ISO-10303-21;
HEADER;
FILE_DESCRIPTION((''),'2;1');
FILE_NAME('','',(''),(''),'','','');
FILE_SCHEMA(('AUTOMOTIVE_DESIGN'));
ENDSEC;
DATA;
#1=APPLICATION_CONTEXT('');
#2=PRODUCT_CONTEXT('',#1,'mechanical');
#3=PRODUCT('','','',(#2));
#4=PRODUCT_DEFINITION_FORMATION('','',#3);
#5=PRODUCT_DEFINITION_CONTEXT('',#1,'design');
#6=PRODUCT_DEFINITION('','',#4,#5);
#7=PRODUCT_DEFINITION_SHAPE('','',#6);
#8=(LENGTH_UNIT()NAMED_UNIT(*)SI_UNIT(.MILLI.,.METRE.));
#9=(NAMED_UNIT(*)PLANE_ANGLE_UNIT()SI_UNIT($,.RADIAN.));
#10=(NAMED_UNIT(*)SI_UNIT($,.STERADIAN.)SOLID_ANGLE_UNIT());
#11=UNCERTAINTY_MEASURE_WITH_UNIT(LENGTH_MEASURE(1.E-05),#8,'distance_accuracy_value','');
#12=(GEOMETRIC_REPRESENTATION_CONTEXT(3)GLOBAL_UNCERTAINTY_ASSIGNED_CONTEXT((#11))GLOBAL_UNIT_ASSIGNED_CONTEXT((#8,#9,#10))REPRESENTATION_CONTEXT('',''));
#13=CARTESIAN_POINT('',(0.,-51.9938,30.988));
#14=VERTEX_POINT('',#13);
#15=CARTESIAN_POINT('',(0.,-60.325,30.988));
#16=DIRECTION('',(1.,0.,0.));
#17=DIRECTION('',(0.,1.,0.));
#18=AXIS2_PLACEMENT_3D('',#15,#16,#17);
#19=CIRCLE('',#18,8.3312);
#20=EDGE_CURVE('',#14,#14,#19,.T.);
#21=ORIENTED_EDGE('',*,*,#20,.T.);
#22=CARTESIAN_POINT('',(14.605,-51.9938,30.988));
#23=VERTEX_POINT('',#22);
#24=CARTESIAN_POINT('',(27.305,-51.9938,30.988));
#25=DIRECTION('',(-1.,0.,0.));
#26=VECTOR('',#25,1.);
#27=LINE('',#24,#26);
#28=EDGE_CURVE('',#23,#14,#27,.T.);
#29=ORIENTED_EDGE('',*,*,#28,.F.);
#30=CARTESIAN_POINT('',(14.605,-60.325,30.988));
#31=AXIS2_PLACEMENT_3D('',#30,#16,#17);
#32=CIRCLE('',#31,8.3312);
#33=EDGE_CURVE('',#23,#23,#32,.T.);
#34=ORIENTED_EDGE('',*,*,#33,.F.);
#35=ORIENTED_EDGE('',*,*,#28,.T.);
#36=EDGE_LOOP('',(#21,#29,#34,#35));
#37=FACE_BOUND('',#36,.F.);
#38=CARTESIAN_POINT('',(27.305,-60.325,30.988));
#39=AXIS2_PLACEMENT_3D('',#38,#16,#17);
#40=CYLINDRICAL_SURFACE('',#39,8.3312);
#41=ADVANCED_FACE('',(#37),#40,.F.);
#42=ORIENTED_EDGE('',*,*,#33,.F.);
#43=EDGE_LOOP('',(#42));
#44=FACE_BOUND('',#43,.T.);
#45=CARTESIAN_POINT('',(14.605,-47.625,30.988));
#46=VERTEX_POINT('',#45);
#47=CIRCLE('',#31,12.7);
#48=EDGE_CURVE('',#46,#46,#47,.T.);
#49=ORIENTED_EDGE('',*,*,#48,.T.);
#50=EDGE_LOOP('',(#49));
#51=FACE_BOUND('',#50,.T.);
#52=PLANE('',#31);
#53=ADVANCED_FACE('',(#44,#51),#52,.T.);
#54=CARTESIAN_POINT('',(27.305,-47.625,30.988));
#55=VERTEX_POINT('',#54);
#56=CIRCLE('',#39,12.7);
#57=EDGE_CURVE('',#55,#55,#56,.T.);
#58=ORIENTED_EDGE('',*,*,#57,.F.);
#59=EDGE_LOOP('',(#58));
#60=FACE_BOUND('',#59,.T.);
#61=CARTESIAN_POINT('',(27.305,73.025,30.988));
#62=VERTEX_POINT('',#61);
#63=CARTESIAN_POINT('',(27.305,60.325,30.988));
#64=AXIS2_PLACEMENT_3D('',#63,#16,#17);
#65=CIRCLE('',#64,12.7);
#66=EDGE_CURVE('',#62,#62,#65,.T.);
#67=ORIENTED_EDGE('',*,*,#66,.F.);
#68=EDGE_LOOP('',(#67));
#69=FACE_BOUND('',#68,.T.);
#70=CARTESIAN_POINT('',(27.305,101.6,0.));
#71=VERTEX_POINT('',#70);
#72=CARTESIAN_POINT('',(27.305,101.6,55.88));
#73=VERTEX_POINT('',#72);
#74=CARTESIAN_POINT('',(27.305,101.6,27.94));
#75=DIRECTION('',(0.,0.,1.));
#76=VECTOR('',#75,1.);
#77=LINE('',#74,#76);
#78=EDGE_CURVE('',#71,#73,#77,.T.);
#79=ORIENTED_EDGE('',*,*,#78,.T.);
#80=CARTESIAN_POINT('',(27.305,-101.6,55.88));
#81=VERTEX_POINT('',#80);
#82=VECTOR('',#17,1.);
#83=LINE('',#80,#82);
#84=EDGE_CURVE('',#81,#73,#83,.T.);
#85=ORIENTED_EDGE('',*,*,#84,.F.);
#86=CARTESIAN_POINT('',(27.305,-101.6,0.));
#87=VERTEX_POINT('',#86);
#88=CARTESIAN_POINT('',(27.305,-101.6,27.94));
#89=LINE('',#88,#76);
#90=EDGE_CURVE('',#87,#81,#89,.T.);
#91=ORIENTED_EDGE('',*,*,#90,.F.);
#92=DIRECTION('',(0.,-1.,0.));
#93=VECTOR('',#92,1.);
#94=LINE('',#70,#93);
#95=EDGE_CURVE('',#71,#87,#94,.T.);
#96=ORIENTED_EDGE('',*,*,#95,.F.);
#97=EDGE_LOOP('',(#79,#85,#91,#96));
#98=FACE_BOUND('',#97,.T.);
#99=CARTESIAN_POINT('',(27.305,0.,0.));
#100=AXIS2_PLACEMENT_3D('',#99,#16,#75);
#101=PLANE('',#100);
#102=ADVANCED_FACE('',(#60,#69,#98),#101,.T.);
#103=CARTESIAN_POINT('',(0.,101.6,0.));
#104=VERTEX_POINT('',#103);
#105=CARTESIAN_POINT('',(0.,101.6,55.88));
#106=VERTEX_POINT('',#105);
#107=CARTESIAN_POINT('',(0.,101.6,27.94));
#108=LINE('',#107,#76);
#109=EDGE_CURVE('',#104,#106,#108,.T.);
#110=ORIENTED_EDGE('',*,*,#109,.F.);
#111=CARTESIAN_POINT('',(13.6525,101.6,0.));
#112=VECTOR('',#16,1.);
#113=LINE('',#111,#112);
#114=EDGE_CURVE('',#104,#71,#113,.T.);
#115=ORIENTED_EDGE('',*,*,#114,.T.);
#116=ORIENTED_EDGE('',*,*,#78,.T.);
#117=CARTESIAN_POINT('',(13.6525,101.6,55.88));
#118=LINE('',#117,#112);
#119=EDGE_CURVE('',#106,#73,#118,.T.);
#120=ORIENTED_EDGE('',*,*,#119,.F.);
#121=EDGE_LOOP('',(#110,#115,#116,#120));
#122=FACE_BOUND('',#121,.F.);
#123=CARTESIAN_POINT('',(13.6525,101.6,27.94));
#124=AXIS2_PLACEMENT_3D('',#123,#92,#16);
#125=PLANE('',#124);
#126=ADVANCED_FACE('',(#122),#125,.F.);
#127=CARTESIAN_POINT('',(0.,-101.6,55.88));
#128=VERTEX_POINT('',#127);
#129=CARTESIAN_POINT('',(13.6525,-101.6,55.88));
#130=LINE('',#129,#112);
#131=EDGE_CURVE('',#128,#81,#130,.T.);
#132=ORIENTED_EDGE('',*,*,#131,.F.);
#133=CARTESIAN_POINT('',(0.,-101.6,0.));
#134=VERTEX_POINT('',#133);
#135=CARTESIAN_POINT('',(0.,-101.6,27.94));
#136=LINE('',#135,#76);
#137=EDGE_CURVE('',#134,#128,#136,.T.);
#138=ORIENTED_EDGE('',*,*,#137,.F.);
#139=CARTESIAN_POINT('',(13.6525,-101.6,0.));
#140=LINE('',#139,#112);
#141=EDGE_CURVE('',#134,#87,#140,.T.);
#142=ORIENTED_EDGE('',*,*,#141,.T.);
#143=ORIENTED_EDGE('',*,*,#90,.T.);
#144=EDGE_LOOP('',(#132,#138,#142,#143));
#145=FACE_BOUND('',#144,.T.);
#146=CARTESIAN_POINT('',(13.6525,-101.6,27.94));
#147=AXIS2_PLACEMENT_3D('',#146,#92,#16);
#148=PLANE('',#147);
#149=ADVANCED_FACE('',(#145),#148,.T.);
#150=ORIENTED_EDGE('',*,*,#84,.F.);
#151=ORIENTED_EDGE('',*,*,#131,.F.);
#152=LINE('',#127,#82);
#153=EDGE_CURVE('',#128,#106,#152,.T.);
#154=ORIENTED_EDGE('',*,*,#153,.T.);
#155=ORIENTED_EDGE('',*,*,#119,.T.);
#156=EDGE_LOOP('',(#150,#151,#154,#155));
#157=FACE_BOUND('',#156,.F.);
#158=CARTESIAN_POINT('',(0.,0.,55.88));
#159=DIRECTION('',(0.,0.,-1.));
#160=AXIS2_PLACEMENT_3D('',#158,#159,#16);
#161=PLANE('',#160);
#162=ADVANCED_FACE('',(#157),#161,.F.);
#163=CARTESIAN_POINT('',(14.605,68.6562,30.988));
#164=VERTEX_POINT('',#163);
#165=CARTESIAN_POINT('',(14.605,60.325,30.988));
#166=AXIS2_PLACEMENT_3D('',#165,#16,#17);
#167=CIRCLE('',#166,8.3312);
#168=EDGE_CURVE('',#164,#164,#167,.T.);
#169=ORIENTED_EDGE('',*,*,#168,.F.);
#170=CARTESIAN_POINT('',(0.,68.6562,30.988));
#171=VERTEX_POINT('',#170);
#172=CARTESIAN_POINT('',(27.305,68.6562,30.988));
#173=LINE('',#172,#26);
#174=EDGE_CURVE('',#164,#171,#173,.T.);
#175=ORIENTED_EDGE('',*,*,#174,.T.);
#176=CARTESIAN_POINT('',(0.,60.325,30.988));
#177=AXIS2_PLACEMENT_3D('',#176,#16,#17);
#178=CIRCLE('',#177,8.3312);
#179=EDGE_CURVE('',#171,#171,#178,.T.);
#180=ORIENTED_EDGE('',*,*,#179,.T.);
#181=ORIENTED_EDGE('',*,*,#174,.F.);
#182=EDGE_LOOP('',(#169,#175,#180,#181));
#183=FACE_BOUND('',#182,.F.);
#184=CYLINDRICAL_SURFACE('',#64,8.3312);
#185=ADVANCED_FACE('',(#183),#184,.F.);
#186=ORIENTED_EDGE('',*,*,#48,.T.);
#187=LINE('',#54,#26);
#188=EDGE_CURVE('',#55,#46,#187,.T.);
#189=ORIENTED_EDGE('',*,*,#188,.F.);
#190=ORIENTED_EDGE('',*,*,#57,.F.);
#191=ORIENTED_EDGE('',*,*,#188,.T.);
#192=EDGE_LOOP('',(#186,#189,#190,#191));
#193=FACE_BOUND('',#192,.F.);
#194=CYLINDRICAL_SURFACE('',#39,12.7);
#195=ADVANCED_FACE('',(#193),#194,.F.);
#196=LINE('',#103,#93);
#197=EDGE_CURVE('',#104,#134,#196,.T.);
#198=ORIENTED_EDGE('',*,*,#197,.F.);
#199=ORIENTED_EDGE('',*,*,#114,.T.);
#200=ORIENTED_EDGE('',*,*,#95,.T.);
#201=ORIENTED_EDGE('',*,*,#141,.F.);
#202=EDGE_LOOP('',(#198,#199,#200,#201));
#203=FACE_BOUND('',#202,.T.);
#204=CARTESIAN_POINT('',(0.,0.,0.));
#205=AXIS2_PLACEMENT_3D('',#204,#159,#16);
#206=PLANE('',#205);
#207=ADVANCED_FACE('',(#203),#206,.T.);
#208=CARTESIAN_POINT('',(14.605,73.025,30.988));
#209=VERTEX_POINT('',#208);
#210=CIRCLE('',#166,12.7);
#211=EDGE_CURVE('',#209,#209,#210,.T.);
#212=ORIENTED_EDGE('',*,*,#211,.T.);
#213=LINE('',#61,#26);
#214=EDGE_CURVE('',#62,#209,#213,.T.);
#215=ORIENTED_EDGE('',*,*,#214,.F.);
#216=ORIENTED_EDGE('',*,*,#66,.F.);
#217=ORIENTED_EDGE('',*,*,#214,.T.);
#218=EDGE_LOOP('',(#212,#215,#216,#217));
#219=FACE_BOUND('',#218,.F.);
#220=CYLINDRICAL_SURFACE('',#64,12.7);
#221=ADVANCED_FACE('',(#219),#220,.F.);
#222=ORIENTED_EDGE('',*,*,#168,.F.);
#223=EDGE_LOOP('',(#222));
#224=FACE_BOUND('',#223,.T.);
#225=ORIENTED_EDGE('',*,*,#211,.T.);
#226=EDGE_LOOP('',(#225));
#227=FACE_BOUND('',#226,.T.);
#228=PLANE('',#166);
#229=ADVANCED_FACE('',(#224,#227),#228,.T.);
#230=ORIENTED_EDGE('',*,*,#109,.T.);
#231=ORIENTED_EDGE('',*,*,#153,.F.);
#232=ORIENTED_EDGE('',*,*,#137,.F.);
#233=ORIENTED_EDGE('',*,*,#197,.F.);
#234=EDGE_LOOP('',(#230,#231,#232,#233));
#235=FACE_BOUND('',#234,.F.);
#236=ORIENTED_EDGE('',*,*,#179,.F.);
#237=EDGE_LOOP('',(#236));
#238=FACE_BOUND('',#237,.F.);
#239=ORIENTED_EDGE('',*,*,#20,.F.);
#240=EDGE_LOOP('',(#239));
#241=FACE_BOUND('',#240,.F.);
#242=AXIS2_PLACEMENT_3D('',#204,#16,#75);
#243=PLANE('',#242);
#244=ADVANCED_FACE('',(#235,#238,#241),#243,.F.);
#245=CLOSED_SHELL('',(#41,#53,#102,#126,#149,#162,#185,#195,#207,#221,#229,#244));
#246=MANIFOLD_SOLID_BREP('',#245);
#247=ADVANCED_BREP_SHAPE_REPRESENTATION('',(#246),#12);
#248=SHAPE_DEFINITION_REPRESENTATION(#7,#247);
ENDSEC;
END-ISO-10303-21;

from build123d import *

# Parameters (mm, degrees)
F0_W     = 27.305
F0_H     = 55.88
F1_DEPTH = 101.6
F2_R     = 8.3312
F3_DEPTH = 38.1
F4_R     = 12.7
F4_R_2   = 8.3312
F5_DEPTH = 12.7


with BuildPart() as f1:
    # F0 (on Front) → F1 (new body, symmetric)
    with BuildSketch(Plane.XZ):
        with Locations((13.6525, 27.94)):
            Rectangle(F0_W, F0_H)
    extrude(amount=F1_DEPTH, both=True)

    # F2 (on face) → F3 (cut)
    with BuildSketch(Plane.YZ.offset(27.305)):
        with Locations((-60.325, 30.988)):
            Circle(F2_R)
        with Locations((60.325, 30.988)):
            Circle(F2_R)
    extrude(amount=-F3_DEPTH, mode=Mode.SUBTRACT)

    # F4 (on face) → F5 (cut)
    with BuildSketch(Plane.YZ.offset(27.305)):
        with Locations((-60.325, 30.988)):
            Circle(F4_R)
        with Locations((-60.325, 30.988)):
            Circle(F4_R_2, mode=Mode.SUBTRACT)
        with Locations((60.325, 30.988)):
            Circle(F4_R)
        with Locations((60.325, 30.988)):
            Circle(F4_R_2, mode=Mode.SUBTRACT)
    extrude(amount=-F5_DEPTH, mode=Mode.SUBTRACT)


solid = f1.part
